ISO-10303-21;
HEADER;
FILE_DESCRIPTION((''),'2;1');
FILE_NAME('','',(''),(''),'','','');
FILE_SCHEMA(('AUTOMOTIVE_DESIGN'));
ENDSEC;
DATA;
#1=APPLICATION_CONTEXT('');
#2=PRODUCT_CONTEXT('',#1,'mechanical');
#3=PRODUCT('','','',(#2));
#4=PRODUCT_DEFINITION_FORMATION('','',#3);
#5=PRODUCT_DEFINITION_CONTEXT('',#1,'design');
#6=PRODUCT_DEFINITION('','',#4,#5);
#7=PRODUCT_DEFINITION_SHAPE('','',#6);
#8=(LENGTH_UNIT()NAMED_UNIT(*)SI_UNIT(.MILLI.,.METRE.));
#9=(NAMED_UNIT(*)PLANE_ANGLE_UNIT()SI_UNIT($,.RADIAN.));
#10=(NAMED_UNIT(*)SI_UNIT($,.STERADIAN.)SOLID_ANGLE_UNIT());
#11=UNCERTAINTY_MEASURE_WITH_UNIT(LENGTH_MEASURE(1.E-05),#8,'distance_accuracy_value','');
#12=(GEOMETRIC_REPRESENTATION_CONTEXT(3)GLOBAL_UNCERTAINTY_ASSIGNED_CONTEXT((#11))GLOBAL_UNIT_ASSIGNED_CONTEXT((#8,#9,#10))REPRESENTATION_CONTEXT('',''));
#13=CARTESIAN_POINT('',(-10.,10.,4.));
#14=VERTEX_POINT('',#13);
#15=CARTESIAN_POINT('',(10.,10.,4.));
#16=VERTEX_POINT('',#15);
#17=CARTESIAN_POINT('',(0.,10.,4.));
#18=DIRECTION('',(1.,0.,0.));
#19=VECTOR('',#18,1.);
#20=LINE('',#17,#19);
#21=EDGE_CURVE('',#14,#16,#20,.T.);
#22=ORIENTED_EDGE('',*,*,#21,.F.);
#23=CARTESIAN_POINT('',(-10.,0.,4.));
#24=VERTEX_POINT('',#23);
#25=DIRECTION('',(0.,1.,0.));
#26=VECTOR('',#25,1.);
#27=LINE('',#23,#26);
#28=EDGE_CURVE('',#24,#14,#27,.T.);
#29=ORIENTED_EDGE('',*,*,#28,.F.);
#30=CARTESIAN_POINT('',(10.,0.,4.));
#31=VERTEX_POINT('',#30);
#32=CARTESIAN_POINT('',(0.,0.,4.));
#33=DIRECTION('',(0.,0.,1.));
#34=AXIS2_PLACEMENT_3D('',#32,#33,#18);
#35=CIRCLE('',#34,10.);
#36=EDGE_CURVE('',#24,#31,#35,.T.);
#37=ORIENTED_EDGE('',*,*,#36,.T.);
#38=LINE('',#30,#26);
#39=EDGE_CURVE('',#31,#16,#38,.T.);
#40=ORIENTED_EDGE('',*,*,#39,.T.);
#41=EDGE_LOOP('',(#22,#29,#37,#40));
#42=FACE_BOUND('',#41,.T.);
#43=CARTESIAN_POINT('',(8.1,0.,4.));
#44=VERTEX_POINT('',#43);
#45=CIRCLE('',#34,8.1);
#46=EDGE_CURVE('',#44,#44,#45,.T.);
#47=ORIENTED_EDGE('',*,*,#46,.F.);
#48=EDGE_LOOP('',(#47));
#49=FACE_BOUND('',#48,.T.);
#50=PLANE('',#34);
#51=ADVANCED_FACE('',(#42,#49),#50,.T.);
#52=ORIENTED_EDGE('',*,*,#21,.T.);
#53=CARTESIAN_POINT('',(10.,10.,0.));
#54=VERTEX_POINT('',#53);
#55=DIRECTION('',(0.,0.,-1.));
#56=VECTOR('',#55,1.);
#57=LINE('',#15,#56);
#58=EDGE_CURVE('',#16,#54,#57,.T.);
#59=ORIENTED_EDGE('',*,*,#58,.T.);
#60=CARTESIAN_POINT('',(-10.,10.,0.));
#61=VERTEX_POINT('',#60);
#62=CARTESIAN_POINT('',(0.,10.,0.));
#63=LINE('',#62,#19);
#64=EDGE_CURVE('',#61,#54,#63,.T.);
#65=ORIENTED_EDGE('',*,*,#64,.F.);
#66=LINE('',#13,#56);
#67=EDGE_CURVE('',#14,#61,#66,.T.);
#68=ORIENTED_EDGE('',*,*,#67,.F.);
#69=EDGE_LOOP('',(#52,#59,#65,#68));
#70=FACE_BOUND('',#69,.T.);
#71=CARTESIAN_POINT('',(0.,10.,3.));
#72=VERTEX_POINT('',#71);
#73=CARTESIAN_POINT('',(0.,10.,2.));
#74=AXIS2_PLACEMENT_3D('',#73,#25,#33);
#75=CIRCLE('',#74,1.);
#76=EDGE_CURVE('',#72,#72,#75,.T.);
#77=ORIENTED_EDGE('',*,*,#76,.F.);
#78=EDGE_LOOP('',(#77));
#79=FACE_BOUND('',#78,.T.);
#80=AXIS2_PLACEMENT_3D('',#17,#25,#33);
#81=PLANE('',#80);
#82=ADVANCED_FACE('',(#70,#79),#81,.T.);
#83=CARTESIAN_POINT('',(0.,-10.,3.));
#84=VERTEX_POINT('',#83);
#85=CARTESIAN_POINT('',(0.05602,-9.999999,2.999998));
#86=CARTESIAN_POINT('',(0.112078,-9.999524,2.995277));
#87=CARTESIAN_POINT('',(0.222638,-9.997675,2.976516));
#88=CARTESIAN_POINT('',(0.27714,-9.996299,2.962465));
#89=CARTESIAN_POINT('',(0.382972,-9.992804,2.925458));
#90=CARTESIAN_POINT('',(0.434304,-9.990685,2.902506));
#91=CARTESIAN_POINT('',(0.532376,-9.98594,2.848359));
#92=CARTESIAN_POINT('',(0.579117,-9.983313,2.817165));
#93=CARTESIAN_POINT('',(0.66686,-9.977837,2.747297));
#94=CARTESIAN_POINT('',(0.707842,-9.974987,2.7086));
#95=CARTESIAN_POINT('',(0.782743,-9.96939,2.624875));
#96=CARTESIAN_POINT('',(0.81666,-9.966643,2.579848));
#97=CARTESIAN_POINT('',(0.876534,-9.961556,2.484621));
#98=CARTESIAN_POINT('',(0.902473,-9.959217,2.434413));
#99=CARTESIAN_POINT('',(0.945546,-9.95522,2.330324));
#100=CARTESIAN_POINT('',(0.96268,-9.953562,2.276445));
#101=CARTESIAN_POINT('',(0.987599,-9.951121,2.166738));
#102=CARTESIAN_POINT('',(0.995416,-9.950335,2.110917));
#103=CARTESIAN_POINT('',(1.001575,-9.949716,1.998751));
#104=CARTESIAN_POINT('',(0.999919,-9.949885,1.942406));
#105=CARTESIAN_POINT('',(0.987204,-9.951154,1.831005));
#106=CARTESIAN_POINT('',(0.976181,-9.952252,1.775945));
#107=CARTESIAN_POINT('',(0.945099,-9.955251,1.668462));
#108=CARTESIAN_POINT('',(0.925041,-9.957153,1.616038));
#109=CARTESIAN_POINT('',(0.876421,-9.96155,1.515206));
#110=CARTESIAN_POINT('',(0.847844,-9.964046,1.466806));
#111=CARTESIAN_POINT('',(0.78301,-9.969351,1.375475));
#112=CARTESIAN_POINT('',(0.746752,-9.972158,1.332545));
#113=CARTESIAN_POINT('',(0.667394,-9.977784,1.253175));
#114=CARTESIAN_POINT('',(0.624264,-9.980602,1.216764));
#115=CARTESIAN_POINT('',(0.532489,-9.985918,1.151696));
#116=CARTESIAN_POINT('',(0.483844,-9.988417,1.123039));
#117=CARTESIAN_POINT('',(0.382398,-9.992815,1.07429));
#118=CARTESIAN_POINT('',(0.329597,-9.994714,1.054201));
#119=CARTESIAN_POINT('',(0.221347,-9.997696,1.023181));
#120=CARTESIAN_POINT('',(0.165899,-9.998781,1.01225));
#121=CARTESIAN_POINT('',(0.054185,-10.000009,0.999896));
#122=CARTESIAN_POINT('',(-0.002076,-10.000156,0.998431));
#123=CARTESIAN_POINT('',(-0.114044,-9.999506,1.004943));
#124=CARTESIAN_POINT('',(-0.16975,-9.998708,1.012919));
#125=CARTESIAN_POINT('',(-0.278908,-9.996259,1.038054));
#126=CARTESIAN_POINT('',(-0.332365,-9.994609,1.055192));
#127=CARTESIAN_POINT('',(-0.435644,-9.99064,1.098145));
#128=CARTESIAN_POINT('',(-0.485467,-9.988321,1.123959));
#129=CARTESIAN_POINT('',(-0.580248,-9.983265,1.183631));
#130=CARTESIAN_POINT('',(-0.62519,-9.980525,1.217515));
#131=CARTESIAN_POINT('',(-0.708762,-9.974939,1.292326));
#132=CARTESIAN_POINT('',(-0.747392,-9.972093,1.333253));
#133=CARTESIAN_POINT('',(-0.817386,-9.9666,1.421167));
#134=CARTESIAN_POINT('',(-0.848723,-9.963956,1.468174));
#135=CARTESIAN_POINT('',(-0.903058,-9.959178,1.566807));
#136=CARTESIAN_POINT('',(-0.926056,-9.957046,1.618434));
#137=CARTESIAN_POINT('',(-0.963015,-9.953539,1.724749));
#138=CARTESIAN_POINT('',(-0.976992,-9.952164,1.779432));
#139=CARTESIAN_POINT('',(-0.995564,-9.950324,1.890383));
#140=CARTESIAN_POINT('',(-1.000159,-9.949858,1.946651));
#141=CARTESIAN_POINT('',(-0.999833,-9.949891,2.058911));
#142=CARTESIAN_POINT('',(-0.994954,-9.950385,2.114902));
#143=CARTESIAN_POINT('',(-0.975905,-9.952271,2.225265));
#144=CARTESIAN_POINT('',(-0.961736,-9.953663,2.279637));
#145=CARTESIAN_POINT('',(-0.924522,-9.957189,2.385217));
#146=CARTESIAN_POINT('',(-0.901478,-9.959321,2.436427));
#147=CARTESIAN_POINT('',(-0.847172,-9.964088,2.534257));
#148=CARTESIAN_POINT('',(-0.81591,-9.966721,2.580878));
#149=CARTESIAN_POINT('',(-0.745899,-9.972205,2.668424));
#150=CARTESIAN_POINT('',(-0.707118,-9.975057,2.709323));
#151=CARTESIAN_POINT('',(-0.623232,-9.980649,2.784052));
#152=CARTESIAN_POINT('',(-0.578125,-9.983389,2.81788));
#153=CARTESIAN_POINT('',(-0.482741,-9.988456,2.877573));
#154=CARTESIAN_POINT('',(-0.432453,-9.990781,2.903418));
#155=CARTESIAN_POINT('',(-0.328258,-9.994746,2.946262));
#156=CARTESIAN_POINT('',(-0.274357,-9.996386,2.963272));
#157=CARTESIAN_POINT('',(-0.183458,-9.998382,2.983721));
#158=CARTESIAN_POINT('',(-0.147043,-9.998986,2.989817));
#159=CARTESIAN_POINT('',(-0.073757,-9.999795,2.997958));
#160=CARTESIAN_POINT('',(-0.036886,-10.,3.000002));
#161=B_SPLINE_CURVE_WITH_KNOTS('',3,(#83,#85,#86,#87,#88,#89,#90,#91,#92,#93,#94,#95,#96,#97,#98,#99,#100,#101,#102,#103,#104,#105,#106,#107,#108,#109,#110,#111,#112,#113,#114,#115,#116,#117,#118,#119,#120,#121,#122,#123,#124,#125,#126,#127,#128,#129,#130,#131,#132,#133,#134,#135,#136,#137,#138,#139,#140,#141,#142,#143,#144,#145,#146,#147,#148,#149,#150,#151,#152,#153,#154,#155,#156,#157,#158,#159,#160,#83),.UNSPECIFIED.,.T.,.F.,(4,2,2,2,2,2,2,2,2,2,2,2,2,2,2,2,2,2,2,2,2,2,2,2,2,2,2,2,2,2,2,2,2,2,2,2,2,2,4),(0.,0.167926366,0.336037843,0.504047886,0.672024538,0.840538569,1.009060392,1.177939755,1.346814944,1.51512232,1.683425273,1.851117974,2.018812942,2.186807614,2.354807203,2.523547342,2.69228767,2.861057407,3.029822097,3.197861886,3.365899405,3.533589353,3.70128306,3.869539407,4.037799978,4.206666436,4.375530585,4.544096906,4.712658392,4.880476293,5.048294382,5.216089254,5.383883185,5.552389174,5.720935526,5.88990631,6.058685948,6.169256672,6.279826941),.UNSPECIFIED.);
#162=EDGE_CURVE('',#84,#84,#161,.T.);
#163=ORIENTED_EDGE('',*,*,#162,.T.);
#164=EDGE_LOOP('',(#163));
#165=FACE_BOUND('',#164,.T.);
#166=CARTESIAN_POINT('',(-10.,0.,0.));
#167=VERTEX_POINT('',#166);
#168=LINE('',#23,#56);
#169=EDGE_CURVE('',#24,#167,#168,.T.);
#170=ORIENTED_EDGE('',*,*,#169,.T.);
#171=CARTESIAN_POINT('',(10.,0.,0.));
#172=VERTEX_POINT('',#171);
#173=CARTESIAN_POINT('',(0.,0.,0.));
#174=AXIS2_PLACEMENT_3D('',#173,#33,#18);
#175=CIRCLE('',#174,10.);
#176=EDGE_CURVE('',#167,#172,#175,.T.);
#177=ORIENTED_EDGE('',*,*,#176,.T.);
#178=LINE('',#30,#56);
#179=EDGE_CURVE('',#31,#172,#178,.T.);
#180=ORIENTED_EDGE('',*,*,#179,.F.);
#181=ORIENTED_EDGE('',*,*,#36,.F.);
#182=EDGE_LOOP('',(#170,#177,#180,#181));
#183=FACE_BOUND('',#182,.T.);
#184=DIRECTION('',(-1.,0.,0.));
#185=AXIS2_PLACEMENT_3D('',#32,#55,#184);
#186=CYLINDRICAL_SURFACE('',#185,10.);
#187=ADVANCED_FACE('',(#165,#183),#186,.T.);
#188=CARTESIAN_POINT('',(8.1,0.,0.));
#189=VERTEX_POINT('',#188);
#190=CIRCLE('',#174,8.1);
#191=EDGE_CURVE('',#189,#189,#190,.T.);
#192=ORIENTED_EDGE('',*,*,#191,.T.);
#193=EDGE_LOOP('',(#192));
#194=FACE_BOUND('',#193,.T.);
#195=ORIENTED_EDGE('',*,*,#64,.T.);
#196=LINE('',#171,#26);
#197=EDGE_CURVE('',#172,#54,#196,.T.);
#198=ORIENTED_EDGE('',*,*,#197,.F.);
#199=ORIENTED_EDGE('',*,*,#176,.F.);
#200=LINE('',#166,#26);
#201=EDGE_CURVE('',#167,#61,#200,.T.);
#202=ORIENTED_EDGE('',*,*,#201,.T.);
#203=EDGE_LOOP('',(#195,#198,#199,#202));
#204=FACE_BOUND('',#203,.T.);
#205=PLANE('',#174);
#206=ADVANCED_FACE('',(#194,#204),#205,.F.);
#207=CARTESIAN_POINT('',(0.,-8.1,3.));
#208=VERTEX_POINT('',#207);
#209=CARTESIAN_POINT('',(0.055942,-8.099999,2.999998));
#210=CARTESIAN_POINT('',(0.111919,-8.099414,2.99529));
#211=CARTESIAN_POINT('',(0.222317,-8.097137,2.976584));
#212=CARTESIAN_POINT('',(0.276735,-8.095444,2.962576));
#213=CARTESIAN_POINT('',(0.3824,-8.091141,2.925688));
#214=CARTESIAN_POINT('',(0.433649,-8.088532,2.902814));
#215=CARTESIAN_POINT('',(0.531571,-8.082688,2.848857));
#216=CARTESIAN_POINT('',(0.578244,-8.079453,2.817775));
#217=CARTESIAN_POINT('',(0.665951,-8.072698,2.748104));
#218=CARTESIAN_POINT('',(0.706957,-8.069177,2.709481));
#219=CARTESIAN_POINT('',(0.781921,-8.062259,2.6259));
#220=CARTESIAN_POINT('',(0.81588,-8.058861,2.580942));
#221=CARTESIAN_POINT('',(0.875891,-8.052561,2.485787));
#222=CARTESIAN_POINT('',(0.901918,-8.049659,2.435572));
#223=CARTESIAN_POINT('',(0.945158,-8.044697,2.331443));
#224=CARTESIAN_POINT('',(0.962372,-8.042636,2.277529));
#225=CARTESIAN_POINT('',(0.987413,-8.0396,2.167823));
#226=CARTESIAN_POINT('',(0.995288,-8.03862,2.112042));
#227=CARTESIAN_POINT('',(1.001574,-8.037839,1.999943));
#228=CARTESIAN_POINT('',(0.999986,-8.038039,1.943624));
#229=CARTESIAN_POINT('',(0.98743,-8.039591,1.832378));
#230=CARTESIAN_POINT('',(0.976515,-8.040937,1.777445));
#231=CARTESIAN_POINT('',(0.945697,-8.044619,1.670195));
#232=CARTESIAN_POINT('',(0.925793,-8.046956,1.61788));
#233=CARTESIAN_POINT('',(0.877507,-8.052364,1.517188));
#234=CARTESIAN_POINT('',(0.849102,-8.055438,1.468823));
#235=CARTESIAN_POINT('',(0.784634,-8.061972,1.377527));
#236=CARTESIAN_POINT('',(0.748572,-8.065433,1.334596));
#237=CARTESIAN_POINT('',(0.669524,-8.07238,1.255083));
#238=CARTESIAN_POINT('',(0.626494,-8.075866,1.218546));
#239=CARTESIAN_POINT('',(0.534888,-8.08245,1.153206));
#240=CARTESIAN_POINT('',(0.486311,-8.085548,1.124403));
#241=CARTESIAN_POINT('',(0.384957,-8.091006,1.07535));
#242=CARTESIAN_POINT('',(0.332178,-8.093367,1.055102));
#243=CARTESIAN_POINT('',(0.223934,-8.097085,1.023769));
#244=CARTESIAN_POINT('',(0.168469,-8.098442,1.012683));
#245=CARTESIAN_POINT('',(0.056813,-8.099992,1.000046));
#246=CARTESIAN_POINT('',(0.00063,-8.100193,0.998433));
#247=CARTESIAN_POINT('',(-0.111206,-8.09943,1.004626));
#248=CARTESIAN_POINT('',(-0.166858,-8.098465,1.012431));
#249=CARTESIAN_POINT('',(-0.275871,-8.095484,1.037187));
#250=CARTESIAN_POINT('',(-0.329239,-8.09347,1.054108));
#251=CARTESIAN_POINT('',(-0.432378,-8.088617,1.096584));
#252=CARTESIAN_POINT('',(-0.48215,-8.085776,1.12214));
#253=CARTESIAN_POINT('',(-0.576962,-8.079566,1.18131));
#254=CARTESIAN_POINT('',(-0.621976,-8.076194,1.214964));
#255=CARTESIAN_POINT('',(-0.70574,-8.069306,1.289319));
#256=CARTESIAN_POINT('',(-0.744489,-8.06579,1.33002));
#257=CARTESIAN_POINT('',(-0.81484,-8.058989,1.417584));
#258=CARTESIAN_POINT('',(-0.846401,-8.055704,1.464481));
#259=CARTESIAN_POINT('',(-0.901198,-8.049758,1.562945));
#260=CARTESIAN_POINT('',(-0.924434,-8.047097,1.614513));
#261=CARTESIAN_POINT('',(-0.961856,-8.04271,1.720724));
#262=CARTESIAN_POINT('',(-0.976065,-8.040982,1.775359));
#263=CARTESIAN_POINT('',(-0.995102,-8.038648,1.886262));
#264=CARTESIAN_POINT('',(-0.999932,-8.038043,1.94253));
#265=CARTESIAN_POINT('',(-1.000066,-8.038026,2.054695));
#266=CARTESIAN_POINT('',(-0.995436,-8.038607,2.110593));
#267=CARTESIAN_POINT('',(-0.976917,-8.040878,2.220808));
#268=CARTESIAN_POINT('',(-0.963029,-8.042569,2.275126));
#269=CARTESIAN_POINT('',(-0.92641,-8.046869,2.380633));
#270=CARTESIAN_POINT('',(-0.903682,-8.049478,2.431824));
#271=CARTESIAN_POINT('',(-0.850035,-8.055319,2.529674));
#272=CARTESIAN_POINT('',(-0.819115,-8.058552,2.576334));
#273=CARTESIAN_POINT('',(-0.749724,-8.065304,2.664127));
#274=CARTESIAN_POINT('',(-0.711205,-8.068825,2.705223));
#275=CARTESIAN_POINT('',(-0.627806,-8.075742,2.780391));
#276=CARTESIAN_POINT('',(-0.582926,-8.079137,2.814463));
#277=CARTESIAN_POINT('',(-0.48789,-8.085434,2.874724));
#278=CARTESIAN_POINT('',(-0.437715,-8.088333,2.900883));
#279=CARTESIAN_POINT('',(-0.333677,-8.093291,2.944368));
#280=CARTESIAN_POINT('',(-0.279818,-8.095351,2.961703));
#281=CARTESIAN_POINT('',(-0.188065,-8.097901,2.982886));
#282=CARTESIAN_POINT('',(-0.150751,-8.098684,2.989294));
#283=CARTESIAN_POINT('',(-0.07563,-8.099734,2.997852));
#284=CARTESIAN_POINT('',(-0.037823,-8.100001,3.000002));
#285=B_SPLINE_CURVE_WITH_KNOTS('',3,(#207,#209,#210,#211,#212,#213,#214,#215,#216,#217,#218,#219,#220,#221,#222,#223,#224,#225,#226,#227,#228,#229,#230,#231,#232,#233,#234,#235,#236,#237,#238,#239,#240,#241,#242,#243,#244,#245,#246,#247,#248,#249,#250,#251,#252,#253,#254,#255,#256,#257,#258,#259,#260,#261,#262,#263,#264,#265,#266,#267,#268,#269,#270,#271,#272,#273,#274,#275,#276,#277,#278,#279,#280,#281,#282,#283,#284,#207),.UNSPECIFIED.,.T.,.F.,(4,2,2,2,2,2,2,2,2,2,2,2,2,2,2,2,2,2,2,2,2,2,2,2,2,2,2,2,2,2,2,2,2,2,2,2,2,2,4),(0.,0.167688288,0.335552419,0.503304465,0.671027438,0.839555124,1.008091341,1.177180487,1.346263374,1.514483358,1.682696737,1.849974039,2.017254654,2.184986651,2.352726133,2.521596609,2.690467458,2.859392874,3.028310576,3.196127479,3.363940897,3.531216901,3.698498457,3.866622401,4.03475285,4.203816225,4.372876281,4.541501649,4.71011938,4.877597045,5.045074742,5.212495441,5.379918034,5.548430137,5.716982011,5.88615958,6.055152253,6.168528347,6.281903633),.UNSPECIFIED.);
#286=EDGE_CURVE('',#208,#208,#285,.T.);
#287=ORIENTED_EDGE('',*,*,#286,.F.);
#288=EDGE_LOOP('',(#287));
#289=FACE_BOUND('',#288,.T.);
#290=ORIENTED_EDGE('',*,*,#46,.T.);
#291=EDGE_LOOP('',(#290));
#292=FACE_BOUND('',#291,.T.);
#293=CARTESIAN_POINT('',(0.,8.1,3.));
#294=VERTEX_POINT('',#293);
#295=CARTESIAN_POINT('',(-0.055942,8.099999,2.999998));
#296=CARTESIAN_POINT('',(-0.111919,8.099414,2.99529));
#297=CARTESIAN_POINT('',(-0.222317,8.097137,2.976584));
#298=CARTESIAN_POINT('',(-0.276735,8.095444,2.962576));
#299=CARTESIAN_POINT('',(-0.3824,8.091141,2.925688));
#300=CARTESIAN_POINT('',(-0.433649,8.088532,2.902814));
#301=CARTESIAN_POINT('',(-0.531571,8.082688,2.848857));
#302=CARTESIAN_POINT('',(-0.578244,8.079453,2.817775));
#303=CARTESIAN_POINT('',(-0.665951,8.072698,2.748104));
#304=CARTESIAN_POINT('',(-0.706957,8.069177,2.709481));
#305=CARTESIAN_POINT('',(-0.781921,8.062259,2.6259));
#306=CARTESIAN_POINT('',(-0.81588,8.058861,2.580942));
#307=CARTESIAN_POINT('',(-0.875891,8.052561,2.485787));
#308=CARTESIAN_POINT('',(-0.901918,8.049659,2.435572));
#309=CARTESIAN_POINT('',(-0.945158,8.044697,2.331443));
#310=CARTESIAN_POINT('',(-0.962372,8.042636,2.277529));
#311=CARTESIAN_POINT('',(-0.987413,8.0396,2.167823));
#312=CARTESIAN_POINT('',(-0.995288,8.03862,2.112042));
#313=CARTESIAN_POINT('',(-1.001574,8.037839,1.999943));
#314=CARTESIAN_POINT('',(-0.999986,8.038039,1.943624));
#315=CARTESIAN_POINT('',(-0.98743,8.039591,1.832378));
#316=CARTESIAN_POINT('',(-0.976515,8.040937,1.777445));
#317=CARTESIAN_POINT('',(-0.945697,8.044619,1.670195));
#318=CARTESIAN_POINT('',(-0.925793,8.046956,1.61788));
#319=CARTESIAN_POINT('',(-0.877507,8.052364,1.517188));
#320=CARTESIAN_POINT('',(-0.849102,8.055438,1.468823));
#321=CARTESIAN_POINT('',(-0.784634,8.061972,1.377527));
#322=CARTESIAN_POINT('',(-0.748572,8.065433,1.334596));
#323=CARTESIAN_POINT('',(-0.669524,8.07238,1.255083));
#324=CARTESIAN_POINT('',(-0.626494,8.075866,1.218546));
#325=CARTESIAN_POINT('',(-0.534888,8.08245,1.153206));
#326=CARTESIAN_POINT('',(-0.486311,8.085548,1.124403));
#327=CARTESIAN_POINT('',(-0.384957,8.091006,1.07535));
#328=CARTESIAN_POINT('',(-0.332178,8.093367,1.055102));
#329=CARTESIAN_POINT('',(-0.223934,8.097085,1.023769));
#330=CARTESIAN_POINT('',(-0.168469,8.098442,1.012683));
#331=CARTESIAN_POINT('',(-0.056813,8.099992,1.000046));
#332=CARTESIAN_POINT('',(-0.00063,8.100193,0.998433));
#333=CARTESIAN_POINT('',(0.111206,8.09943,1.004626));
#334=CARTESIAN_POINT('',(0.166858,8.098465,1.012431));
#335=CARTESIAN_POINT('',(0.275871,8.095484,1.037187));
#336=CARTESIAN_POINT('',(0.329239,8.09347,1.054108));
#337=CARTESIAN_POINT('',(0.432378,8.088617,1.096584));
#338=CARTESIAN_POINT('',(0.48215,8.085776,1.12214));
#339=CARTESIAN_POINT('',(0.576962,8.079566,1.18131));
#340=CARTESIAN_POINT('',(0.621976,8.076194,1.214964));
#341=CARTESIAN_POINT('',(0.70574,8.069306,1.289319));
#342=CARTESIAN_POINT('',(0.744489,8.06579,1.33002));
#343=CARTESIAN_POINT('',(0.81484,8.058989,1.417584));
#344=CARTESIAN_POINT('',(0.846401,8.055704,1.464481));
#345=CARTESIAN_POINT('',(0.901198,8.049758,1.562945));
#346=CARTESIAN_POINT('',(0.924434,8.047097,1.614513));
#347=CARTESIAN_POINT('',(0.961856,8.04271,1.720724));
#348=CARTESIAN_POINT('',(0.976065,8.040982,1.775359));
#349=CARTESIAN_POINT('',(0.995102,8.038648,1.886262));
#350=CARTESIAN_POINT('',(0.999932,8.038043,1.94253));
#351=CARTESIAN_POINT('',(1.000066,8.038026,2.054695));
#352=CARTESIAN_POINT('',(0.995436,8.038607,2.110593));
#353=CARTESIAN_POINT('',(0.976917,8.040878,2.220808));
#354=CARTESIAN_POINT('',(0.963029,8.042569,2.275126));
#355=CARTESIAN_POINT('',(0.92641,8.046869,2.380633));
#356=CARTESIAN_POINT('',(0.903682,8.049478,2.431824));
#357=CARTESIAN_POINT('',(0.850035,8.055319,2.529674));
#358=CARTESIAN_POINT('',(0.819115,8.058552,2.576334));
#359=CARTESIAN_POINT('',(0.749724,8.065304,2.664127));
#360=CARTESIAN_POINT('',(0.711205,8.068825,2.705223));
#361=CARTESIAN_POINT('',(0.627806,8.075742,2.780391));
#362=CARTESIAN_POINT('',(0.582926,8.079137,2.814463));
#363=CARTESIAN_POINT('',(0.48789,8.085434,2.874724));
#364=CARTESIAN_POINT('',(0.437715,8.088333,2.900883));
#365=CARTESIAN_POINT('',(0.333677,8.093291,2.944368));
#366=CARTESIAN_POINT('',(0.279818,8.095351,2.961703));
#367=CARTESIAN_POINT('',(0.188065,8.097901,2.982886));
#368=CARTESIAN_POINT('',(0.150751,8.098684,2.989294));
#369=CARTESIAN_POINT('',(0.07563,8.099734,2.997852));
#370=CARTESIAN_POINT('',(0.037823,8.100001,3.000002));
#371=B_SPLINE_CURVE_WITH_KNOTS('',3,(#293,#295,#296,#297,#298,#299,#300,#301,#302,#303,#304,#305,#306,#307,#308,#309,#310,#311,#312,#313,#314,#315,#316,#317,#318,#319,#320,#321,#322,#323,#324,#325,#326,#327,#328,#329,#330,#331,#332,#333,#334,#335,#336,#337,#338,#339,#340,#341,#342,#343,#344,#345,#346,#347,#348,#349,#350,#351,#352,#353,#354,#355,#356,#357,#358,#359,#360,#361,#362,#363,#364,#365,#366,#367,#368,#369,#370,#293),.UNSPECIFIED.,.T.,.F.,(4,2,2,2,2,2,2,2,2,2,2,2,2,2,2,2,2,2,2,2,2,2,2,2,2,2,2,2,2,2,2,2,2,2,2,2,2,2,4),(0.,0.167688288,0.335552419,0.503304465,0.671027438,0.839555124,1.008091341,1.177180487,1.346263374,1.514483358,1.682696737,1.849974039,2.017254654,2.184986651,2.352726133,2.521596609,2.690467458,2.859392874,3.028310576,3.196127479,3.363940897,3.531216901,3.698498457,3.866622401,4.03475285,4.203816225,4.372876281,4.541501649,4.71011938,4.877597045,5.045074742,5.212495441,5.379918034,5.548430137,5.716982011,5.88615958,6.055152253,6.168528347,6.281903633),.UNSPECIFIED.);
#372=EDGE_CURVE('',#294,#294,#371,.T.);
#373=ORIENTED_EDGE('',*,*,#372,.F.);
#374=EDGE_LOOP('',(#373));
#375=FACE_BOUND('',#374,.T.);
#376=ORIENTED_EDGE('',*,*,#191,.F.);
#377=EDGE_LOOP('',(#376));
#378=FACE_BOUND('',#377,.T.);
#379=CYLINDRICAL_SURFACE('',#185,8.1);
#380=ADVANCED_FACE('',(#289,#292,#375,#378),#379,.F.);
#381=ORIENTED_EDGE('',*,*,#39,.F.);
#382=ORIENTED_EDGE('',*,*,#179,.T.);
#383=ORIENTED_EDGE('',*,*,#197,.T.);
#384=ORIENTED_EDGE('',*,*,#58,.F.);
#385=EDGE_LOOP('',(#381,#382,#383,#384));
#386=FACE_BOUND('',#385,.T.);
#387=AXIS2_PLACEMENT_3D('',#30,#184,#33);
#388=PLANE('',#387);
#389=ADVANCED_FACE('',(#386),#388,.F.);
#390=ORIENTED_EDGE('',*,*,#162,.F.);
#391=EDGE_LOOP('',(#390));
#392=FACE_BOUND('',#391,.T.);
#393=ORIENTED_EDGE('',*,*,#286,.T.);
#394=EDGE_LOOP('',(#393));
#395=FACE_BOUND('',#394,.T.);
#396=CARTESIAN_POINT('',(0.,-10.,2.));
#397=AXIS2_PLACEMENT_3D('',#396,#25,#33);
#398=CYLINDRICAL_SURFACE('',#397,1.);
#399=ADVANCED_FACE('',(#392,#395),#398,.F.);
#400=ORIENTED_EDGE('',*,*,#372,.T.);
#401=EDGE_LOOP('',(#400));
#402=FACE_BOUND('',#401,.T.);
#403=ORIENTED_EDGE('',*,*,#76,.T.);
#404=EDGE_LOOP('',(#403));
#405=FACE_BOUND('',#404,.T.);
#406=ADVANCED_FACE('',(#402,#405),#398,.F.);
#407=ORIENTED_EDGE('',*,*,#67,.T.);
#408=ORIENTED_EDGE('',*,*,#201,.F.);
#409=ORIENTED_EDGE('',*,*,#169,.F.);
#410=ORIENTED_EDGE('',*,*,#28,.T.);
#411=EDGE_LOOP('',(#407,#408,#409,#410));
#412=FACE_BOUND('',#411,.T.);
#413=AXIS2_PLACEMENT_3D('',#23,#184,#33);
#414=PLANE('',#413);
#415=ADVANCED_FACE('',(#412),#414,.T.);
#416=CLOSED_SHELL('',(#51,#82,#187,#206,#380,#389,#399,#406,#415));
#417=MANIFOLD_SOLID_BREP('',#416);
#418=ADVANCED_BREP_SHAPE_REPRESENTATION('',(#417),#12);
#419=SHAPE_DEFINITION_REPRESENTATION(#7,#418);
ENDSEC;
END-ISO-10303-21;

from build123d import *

# Parameters (mm, degrees)
SKETCH1_R           = 8.1
BOSS_EXTRUDE1_DEPTH = 4
SKETCH3_R           = 1
CUT_EXTRUDE1_DEPTH  = 20


with BuildPart() as part:
    # Sketch1 → Boss-Extrude1 (new body)
    with BuildSketch(Plane.XY):
        with BuildLine():
            ThreePointArc((-10, 0), (-7.071067812, -7.071067812), (0, -10))
            ThreePointArc((0, -10), (7.071067812, -7.071067812), (10, 0))
            Line((10, 0), (10, 10))
            Line((10, 10), (-10, 10))
            Line((-10, 10), (-10, 0))
        make_face()
        Circle(SKETCH1_R, mode=Mode.SUBTRACT)
    extrude(amount=BOSS_EXTRUDE1_DEPTH)

    # Sketch3 → Cut-Extrude1 (cut)
    with BuildSketch(Plane(origin=(0, 10, 0), x_dir=(1, 0, 0), z_dir=(0, 1, 0))):
        with Locations(Location((0, -2, 0), (0, 0, 270))):
            Circle(SKETCH3_R)
    extrude(amount=-CUT_EXTRUDE1_DEPTH, mode=Mode.SUBTRACT)


solid = part.part
